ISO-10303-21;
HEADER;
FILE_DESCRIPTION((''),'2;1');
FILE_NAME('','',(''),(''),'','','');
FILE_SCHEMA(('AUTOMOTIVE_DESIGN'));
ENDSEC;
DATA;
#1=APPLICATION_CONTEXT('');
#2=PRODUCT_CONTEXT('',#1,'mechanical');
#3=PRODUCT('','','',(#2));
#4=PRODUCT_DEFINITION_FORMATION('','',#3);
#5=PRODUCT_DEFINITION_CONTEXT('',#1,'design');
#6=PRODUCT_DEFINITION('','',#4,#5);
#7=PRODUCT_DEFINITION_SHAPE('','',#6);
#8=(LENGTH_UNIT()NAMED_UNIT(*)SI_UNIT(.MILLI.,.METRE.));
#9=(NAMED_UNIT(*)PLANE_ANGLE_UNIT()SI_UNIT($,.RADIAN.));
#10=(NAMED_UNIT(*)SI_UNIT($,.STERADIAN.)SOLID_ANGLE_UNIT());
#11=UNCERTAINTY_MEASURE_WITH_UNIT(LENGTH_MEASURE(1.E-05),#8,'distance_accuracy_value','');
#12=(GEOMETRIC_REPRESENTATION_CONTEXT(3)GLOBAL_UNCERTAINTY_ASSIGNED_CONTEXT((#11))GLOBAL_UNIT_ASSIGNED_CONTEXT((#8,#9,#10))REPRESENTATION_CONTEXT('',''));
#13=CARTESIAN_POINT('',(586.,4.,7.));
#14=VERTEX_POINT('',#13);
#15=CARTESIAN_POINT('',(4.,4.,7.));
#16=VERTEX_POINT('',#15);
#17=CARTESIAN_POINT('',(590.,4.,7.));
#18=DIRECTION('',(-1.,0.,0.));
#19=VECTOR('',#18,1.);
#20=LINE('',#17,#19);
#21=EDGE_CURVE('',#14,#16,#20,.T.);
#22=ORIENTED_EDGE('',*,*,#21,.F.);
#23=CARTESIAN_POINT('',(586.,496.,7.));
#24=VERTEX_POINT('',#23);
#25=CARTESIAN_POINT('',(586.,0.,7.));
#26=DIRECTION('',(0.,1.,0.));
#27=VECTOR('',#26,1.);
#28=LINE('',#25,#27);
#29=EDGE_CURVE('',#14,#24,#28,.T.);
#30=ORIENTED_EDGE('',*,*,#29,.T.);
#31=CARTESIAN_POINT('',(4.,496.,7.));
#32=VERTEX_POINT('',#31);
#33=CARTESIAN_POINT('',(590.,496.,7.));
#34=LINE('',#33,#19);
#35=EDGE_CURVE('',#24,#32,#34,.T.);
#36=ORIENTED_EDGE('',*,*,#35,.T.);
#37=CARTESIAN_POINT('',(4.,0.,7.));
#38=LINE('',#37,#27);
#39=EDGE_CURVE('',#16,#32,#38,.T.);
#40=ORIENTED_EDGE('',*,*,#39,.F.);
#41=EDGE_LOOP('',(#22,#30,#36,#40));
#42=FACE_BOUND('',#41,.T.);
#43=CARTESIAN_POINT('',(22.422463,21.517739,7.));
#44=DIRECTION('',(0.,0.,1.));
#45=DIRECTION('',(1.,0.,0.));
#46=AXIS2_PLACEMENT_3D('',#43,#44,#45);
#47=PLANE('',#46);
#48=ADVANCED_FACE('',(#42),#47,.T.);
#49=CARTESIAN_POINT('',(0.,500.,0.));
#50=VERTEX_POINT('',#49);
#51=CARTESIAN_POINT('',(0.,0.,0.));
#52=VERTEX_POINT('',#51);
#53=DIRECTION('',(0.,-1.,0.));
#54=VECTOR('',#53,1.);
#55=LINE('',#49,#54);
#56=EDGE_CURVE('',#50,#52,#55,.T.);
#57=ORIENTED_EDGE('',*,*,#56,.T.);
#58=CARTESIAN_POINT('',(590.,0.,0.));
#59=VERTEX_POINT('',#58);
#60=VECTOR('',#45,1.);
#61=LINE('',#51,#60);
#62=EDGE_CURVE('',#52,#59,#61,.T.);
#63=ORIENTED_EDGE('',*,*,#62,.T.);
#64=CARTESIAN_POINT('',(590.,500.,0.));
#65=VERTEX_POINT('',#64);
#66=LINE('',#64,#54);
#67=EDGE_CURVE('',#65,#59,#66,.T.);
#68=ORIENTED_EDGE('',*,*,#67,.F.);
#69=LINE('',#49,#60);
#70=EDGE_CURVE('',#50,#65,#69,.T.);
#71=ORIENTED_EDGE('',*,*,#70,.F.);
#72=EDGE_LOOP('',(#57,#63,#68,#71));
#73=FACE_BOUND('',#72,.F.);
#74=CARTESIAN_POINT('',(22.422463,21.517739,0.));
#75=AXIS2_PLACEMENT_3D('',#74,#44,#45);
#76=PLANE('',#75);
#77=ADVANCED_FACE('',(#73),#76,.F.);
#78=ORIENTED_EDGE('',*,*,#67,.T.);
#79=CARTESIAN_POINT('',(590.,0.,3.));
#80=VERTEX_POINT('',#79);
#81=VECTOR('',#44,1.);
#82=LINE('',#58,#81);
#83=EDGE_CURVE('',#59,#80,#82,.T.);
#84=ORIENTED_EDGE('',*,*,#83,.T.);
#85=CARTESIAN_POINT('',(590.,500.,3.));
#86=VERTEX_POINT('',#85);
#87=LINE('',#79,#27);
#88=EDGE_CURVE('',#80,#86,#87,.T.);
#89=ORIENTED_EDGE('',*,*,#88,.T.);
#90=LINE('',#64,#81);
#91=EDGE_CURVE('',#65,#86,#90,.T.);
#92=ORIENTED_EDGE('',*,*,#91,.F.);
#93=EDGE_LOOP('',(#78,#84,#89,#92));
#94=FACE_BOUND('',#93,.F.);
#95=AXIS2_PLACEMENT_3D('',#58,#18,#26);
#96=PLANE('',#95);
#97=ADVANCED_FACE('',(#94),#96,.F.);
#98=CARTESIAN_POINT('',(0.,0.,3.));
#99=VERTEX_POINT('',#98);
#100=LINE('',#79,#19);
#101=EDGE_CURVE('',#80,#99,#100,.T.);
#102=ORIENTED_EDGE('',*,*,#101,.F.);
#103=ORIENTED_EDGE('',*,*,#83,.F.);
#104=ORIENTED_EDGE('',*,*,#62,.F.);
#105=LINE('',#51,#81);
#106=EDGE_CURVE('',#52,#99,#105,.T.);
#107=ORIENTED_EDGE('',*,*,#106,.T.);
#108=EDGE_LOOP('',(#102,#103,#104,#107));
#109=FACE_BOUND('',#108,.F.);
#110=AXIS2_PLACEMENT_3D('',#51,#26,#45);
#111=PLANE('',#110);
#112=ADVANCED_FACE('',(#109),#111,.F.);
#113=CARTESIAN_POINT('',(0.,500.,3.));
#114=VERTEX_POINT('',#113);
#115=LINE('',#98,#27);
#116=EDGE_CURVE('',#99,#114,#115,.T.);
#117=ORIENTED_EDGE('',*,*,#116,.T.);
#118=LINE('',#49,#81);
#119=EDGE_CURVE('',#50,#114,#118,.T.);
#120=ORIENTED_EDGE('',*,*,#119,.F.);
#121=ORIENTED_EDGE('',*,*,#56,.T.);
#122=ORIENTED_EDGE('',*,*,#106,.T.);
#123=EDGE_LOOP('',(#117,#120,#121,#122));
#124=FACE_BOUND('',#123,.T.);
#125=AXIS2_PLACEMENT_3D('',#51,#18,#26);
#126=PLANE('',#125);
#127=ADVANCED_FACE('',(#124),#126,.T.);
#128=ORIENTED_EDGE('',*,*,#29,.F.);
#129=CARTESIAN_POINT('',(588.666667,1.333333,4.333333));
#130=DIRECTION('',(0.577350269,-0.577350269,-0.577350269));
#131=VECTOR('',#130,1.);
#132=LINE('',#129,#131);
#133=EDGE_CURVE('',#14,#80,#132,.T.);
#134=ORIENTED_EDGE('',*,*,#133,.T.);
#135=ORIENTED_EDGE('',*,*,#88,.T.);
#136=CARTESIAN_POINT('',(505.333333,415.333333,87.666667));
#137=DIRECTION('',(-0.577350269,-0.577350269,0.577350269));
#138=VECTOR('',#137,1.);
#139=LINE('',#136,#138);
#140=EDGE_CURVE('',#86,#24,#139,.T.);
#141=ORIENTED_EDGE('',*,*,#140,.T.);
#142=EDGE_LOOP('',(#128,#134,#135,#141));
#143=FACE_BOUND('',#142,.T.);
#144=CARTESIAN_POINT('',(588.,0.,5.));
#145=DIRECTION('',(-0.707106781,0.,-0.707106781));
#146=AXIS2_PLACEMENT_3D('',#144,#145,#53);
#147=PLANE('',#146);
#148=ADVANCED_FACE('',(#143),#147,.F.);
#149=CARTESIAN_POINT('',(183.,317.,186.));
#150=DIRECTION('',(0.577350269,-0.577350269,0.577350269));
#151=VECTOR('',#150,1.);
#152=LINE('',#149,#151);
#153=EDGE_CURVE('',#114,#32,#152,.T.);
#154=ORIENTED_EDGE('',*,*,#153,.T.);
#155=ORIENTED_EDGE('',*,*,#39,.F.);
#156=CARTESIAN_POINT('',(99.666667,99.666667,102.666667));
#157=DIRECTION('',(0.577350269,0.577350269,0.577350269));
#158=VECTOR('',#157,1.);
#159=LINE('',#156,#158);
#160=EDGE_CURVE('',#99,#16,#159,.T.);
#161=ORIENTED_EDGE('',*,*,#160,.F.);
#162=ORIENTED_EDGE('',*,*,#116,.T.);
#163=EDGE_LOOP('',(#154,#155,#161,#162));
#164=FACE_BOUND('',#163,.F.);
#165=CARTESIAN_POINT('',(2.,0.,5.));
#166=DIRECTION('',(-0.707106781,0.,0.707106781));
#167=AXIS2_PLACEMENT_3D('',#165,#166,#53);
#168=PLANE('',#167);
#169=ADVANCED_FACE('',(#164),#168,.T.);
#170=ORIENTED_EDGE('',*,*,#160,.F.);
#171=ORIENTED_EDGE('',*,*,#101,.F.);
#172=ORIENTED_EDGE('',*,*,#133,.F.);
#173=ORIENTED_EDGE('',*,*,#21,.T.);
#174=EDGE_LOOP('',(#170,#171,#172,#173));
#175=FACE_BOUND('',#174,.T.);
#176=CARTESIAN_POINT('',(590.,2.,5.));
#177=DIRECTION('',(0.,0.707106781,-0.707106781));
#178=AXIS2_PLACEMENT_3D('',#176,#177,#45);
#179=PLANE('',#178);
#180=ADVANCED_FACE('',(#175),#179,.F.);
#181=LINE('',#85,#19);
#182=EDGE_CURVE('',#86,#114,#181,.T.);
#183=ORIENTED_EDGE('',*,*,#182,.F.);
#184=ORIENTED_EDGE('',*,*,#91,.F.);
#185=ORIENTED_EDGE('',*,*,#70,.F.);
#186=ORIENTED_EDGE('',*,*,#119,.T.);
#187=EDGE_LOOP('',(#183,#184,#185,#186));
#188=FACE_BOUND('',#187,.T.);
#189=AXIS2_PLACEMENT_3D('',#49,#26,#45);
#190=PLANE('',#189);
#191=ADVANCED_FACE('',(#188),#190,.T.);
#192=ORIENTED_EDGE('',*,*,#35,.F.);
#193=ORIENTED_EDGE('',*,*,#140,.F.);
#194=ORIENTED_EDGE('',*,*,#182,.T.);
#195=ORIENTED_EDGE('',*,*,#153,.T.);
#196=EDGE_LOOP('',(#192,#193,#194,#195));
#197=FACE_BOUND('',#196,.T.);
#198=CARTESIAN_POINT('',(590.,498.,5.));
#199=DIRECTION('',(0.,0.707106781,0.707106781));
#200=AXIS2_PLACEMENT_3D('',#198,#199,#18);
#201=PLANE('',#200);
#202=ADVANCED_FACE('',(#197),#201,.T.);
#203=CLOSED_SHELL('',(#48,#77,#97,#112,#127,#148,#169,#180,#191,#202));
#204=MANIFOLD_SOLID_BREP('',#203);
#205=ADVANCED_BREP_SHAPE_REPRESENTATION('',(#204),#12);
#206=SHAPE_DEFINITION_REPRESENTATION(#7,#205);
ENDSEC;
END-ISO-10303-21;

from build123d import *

# Parameters (mm, degrees)
F0_W     = 44.8449254036
F0_H     = 43.0354773998
F1_DEPTH = 7
F2_DEPTH = 590
F3_DEPTH = 500
F4_SIZE  = 4


with BuildPart() as f1:
    # F0 (on Top) → F1 (new body)
    with BuildSketch(Plane.XY):
        with Locations((22.4224627018, 21.5177386999)):
            Rectangle(F0_W, F0_H)
    extrude(amount=F1_DEPTH)

    # F2 (add): a face of the model
    f2_faces = [f1.faces().sort_by_distance(p)[0] for p in [
        (0, 21.5177386999, 3.5),
    ]]
    extrude(f2_faces, amount=-F2_DEPTH)

    # F3 (add): a face of the model
    f3_faces = [f1.faces().sort_by_distance(p)[0] for p in [
        (295, 0, 3.5),
    ]]
    extrude(f3_faces, amount=-F3_DEPTH)

    # F4
    f4_edges = [f1.edges().sort_by_distance(p)[0] for p in [
        (0, 250, 7),
        (295, 0, 7),
        (590, 250, 7),
        (295, 500, 7),
    ]]
    chamfer(f4_edges, length=F4_SIZE)


solid = f1.part
